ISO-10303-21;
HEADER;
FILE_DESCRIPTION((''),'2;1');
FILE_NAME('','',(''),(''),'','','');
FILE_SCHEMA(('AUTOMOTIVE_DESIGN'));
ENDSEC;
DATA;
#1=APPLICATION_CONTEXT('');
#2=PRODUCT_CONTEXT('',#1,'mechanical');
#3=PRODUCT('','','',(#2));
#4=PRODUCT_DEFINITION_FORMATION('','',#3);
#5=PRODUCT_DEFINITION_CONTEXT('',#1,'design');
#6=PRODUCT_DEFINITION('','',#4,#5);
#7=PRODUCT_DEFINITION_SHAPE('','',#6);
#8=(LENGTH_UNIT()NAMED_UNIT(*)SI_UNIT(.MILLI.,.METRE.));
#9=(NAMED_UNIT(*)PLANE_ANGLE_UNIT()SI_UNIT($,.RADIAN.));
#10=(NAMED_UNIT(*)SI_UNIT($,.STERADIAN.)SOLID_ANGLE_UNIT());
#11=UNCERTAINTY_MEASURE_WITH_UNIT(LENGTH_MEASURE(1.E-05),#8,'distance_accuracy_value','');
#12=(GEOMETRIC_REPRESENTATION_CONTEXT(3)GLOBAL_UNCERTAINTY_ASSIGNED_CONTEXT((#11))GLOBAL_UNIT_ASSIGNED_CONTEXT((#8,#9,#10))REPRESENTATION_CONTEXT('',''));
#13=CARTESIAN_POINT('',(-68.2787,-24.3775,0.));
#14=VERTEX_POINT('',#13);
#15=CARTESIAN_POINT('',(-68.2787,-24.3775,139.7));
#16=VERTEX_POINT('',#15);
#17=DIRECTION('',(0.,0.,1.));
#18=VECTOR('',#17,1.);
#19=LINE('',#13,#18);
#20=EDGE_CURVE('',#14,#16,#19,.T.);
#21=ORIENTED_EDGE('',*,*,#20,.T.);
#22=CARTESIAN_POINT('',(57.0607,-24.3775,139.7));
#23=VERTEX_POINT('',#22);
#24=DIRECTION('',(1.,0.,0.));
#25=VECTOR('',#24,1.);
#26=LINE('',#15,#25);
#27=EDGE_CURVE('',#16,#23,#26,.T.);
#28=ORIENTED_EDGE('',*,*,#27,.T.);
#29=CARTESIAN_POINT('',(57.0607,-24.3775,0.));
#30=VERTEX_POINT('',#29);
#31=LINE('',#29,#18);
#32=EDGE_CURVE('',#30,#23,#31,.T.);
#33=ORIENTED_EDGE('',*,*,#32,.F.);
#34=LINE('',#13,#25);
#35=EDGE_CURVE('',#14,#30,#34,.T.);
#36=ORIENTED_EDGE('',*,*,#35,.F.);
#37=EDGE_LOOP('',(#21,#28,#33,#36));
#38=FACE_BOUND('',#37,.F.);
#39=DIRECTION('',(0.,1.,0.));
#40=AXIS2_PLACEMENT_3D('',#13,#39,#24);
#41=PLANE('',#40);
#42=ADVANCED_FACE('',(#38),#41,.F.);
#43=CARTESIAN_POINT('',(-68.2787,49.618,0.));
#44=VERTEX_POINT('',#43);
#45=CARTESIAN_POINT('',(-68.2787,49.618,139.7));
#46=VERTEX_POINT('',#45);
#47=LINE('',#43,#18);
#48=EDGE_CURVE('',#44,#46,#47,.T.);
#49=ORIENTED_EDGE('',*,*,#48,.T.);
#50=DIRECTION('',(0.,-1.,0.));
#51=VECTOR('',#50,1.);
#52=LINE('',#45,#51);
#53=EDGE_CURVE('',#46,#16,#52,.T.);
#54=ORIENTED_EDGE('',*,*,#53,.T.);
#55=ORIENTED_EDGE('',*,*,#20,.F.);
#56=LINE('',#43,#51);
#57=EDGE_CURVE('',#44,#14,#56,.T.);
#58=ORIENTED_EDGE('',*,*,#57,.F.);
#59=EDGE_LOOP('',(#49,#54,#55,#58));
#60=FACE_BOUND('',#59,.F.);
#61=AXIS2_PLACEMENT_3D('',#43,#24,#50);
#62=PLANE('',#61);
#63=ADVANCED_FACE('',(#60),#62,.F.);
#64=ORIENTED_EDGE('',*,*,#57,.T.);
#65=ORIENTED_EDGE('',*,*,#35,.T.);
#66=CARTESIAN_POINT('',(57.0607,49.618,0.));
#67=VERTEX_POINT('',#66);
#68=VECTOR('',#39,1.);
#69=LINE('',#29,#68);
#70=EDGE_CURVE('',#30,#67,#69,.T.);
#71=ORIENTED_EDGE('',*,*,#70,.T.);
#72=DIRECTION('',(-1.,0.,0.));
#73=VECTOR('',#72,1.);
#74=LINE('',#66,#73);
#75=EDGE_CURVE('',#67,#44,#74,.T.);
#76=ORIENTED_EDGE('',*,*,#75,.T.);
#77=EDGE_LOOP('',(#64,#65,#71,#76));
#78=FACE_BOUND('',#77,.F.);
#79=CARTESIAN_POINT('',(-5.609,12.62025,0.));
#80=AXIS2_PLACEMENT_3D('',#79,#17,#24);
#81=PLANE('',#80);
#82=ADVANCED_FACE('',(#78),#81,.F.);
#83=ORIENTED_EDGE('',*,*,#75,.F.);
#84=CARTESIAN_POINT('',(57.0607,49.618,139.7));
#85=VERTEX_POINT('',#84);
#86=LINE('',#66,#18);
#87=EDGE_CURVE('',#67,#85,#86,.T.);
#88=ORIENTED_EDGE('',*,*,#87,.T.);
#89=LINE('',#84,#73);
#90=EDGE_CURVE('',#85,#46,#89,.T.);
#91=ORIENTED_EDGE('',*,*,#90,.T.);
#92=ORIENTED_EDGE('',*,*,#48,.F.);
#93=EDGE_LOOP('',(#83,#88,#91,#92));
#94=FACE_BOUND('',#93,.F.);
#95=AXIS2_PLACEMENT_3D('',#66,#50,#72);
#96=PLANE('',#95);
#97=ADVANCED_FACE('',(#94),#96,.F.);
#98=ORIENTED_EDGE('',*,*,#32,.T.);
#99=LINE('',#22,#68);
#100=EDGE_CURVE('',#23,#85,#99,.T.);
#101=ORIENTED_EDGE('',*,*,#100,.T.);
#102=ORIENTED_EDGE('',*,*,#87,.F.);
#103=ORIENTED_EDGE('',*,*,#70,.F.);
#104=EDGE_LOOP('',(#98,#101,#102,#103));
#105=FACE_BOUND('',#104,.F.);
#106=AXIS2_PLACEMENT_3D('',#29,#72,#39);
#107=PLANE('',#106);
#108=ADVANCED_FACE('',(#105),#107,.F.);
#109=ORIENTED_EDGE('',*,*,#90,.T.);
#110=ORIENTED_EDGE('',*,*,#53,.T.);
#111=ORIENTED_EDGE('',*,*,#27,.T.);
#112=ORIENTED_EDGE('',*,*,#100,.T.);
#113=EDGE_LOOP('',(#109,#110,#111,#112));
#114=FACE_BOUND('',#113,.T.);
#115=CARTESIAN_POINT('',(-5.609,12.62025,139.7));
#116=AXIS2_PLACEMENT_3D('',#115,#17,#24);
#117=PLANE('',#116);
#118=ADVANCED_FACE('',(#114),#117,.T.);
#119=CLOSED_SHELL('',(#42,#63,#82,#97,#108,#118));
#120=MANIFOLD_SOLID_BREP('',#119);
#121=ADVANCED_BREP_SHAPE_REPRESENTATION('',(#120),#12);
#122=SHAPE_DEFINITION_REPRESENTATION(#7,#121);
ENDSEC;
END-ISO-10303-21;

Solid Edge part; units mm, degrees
sketch "Sketch1" plane through (0, 0, 0) normal (0, 0, 1) x (1, 0, 0)
  line L0 (-68.2787, -24.3775) -> (57.0607, -24.3775)
  line L1 (57.0607, -24.3775) -> (57.0607, 49.618)
  line L2 (57.0607, 49.618) -> (-68.2787, 49.618)
  line L3 (-68.2787, 49.618) -> (-68.2787, -24.3775)
extrude "Protrusion1" add sketch "Sketch1" along normal blind 139.7
